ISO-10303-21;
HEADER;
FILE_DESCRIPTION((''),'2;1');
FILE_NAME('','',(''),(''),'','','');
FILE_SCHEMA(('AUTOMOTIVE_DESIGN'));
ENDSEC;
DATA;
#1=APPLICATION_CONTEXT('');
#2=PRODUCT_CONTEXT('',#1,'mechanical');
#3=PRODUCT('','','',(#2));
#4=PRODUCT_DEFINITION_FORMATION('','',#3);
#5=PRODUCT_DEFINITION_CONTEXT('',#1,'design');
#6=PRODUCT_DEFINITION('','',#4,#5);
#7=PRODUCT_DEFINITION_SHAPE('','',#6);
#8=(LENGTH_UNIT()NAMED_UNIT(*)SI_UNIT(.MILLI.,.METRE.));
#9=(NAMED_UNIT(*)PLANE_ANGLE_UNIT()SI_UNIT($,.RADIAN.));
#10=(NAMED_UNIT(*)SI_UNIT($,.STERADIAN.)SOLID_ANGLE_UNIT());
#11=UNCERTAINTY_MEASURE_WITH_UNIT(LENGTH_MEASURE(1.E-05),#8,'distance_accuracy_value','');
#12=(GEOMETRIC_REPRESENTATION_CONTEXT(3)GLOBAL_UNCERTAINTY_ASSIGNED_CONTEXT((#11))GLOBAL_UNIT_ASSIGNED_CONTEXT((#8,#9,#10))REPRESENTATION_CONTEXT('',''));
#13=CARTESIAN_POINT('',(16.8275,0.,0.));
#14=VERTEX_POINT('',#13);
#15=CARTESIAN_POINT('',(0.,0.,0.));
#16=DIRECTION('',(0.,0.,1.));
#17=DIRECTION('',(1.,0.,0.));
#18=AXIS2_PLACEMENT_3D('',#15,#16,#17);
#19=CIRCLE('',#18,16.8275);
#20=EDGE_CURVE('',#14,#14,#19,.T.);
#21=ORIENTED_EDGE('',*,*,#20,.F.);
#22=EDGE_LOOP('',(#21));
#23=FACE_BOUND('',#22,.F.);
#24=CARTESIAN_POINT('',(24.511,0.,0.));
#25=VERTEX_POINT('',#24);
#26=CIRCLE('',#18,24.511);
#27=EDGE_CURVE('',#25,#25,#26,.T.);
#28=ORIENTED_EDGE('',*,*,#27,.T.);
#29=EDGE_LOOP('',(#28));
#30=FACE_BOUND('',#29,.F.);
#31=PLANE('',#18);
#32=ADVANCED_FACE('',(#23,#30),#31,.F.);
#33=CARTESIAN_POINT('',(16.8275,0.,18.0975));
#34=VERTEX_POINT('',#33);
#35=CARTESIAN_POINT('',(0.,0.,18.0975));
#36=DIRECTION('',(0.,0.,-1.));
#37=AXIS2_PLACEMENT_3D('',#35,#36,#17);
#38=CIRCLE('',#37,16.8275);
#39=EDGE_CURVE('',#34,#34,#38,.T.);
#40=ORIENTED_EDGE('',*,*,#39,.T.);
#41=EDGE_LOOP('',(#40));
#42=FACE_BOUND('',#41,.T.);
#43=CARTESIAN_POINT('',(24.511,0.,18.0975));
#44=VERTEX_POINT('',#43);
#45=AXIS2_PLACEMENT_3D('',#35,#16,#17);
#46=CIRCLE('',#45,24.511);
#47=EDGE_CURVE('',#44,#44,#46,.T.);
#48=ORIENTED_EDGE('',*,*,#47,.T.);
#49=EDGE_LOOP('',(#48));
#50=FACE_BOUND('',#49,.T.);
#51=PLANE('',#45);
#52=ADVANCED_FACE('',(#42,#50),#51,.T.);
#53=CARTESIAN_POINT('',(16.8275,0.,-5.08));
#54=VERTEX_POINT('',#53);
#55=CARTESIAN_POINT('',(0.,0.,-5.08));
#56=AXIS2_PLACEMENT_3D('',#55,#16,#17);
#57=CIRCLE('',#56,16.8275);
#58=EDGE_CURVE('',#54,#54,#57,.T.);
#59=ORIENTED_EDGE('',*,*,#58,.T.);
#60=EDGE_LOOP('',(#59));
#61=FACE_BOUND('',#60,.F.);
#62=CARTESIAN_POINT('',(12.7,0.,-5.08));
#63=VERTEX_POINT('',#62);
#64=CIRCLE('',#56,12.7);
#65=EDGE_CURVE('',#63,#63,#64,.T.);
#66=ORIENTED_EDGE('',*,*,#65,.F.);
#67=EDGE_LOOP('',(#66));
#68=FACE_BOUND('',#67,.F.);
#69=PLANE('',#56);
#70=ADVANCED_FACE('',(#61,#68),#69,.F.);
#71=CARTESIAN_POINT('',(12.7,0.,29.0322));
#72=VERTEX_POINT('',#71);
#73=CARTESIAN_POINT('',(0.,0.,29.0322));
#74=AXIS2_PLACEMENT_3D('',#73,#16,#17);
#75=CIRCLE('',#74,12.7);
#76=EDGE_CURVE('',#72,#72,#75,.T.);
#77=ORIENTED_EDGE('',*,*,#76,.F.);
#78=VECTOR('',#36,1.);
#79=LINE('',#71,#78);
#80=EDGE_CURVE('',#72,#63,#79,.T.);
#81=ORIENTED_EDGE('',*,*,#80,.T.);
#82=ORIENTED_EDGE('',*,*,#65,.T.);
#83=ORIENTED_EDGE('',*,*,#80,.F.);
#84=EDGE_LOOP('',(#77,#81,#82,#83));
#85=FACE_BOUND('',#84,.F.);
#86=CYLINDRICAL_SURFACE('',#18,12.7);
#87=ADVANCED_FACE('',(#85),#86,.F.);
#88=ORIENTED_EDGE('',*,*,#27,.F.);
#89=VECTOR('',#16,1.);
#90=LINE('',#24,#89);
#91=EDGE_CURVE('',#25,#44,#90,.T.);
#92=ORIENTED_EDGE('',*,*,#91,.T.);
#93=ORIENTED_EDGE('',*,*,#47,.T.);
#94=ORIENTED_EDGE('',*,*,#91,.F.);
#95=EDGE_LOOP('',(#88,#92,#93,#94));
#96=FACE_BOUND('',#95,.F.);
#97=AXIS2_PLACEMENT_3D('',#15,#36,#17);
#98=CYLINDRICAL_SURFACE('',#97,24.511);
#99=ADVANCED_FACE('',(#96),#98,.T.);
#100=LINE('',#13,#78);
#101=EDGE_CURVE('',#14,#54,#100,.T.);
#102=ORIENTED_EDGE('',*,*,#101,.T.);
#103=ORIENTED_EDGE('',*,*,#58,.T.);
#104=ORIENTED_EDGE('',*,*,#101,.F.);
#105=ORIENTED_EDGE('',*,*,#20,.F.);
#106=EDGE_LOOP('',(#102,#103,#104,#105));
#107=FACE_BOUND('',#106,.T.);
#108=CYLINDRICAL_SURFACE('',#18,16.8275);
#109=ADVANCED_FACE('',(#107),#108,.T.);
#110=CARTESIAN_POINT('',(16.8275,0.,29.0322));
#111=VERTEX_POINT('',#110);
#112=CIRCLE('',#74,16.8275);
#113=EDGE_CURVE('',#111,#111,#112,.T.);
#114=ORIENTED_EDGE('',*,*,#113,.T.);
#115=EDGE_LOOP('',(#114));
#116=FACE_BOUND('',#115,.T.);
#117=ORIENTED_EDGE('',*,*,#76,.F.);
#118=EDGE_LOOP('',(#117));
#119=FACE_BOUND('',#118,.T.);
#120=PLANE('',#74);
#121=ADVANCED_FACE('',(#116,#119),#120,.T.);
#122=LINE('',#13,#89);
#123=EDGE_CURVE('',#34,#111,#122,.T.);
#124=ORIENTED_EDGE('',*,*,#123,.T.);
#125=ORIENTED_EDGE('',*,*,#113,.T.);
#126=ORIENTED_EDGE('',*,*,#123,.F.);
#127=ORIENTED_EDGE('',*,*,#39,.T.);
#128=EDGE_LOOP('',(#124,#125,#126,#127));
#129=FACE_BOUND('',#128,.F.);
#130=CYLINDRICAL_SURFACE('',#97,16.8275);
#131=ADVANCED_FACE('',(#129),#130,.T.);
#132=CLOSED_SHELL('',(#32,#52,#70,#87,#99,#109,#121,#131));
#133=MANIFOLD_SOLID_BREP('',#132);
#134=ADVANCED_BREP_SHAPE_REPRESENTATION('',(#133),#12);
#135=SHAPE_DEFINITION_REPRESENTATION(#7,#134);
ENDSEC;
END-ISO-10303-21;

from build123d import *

# Parameters (mm, degrees)
F0_R          = 24.511
F0_R_2        = 16.8275
F0_R_3        = 12.7
F1_DEPTH      = 18.0975
F2_DEPTH      = 29.0322
F2_DEPTH_BACK = 5.08
F3_DEPTH      = 29.0332


with BuildPart() as f1:
    # F0 (on Top) → F1 (new body)
    with BuildSketch(Plane.XY):
        Circle(F0_R)
        Circle(F0_R_2, mode=Mode.SUBTRACT)
        Circle(F0_R_2)
        Circle(F0_R_3, mode=Mode.SUBTRACT)
        Circle(F0_R_3)
    extrude(amount=F1_DEPTH)

    # F0 (on Top) → F2 (join, two sides)
    with BuildSketch(Plane.XY) as f2_sk:
        Circle(F0_R_2)
        Circle(F0_R_3, mode=Mode.SUBTRACT)
    extrude(amount=F2_DEPTH)
    extrude(f2_sk.sketch, amount=-F2_DEPTH_BACK)

    # F3 (cut, through all): a face of the model
    f3_faces = [f1.faces().sort_by_distance(p)[0] for p in [
        (0, 0, 0),
    ]]
    extrude(f3_faces, amount=-F3_DEPTH, mode=Mode.SUBTRACT)


solid = f1.part
